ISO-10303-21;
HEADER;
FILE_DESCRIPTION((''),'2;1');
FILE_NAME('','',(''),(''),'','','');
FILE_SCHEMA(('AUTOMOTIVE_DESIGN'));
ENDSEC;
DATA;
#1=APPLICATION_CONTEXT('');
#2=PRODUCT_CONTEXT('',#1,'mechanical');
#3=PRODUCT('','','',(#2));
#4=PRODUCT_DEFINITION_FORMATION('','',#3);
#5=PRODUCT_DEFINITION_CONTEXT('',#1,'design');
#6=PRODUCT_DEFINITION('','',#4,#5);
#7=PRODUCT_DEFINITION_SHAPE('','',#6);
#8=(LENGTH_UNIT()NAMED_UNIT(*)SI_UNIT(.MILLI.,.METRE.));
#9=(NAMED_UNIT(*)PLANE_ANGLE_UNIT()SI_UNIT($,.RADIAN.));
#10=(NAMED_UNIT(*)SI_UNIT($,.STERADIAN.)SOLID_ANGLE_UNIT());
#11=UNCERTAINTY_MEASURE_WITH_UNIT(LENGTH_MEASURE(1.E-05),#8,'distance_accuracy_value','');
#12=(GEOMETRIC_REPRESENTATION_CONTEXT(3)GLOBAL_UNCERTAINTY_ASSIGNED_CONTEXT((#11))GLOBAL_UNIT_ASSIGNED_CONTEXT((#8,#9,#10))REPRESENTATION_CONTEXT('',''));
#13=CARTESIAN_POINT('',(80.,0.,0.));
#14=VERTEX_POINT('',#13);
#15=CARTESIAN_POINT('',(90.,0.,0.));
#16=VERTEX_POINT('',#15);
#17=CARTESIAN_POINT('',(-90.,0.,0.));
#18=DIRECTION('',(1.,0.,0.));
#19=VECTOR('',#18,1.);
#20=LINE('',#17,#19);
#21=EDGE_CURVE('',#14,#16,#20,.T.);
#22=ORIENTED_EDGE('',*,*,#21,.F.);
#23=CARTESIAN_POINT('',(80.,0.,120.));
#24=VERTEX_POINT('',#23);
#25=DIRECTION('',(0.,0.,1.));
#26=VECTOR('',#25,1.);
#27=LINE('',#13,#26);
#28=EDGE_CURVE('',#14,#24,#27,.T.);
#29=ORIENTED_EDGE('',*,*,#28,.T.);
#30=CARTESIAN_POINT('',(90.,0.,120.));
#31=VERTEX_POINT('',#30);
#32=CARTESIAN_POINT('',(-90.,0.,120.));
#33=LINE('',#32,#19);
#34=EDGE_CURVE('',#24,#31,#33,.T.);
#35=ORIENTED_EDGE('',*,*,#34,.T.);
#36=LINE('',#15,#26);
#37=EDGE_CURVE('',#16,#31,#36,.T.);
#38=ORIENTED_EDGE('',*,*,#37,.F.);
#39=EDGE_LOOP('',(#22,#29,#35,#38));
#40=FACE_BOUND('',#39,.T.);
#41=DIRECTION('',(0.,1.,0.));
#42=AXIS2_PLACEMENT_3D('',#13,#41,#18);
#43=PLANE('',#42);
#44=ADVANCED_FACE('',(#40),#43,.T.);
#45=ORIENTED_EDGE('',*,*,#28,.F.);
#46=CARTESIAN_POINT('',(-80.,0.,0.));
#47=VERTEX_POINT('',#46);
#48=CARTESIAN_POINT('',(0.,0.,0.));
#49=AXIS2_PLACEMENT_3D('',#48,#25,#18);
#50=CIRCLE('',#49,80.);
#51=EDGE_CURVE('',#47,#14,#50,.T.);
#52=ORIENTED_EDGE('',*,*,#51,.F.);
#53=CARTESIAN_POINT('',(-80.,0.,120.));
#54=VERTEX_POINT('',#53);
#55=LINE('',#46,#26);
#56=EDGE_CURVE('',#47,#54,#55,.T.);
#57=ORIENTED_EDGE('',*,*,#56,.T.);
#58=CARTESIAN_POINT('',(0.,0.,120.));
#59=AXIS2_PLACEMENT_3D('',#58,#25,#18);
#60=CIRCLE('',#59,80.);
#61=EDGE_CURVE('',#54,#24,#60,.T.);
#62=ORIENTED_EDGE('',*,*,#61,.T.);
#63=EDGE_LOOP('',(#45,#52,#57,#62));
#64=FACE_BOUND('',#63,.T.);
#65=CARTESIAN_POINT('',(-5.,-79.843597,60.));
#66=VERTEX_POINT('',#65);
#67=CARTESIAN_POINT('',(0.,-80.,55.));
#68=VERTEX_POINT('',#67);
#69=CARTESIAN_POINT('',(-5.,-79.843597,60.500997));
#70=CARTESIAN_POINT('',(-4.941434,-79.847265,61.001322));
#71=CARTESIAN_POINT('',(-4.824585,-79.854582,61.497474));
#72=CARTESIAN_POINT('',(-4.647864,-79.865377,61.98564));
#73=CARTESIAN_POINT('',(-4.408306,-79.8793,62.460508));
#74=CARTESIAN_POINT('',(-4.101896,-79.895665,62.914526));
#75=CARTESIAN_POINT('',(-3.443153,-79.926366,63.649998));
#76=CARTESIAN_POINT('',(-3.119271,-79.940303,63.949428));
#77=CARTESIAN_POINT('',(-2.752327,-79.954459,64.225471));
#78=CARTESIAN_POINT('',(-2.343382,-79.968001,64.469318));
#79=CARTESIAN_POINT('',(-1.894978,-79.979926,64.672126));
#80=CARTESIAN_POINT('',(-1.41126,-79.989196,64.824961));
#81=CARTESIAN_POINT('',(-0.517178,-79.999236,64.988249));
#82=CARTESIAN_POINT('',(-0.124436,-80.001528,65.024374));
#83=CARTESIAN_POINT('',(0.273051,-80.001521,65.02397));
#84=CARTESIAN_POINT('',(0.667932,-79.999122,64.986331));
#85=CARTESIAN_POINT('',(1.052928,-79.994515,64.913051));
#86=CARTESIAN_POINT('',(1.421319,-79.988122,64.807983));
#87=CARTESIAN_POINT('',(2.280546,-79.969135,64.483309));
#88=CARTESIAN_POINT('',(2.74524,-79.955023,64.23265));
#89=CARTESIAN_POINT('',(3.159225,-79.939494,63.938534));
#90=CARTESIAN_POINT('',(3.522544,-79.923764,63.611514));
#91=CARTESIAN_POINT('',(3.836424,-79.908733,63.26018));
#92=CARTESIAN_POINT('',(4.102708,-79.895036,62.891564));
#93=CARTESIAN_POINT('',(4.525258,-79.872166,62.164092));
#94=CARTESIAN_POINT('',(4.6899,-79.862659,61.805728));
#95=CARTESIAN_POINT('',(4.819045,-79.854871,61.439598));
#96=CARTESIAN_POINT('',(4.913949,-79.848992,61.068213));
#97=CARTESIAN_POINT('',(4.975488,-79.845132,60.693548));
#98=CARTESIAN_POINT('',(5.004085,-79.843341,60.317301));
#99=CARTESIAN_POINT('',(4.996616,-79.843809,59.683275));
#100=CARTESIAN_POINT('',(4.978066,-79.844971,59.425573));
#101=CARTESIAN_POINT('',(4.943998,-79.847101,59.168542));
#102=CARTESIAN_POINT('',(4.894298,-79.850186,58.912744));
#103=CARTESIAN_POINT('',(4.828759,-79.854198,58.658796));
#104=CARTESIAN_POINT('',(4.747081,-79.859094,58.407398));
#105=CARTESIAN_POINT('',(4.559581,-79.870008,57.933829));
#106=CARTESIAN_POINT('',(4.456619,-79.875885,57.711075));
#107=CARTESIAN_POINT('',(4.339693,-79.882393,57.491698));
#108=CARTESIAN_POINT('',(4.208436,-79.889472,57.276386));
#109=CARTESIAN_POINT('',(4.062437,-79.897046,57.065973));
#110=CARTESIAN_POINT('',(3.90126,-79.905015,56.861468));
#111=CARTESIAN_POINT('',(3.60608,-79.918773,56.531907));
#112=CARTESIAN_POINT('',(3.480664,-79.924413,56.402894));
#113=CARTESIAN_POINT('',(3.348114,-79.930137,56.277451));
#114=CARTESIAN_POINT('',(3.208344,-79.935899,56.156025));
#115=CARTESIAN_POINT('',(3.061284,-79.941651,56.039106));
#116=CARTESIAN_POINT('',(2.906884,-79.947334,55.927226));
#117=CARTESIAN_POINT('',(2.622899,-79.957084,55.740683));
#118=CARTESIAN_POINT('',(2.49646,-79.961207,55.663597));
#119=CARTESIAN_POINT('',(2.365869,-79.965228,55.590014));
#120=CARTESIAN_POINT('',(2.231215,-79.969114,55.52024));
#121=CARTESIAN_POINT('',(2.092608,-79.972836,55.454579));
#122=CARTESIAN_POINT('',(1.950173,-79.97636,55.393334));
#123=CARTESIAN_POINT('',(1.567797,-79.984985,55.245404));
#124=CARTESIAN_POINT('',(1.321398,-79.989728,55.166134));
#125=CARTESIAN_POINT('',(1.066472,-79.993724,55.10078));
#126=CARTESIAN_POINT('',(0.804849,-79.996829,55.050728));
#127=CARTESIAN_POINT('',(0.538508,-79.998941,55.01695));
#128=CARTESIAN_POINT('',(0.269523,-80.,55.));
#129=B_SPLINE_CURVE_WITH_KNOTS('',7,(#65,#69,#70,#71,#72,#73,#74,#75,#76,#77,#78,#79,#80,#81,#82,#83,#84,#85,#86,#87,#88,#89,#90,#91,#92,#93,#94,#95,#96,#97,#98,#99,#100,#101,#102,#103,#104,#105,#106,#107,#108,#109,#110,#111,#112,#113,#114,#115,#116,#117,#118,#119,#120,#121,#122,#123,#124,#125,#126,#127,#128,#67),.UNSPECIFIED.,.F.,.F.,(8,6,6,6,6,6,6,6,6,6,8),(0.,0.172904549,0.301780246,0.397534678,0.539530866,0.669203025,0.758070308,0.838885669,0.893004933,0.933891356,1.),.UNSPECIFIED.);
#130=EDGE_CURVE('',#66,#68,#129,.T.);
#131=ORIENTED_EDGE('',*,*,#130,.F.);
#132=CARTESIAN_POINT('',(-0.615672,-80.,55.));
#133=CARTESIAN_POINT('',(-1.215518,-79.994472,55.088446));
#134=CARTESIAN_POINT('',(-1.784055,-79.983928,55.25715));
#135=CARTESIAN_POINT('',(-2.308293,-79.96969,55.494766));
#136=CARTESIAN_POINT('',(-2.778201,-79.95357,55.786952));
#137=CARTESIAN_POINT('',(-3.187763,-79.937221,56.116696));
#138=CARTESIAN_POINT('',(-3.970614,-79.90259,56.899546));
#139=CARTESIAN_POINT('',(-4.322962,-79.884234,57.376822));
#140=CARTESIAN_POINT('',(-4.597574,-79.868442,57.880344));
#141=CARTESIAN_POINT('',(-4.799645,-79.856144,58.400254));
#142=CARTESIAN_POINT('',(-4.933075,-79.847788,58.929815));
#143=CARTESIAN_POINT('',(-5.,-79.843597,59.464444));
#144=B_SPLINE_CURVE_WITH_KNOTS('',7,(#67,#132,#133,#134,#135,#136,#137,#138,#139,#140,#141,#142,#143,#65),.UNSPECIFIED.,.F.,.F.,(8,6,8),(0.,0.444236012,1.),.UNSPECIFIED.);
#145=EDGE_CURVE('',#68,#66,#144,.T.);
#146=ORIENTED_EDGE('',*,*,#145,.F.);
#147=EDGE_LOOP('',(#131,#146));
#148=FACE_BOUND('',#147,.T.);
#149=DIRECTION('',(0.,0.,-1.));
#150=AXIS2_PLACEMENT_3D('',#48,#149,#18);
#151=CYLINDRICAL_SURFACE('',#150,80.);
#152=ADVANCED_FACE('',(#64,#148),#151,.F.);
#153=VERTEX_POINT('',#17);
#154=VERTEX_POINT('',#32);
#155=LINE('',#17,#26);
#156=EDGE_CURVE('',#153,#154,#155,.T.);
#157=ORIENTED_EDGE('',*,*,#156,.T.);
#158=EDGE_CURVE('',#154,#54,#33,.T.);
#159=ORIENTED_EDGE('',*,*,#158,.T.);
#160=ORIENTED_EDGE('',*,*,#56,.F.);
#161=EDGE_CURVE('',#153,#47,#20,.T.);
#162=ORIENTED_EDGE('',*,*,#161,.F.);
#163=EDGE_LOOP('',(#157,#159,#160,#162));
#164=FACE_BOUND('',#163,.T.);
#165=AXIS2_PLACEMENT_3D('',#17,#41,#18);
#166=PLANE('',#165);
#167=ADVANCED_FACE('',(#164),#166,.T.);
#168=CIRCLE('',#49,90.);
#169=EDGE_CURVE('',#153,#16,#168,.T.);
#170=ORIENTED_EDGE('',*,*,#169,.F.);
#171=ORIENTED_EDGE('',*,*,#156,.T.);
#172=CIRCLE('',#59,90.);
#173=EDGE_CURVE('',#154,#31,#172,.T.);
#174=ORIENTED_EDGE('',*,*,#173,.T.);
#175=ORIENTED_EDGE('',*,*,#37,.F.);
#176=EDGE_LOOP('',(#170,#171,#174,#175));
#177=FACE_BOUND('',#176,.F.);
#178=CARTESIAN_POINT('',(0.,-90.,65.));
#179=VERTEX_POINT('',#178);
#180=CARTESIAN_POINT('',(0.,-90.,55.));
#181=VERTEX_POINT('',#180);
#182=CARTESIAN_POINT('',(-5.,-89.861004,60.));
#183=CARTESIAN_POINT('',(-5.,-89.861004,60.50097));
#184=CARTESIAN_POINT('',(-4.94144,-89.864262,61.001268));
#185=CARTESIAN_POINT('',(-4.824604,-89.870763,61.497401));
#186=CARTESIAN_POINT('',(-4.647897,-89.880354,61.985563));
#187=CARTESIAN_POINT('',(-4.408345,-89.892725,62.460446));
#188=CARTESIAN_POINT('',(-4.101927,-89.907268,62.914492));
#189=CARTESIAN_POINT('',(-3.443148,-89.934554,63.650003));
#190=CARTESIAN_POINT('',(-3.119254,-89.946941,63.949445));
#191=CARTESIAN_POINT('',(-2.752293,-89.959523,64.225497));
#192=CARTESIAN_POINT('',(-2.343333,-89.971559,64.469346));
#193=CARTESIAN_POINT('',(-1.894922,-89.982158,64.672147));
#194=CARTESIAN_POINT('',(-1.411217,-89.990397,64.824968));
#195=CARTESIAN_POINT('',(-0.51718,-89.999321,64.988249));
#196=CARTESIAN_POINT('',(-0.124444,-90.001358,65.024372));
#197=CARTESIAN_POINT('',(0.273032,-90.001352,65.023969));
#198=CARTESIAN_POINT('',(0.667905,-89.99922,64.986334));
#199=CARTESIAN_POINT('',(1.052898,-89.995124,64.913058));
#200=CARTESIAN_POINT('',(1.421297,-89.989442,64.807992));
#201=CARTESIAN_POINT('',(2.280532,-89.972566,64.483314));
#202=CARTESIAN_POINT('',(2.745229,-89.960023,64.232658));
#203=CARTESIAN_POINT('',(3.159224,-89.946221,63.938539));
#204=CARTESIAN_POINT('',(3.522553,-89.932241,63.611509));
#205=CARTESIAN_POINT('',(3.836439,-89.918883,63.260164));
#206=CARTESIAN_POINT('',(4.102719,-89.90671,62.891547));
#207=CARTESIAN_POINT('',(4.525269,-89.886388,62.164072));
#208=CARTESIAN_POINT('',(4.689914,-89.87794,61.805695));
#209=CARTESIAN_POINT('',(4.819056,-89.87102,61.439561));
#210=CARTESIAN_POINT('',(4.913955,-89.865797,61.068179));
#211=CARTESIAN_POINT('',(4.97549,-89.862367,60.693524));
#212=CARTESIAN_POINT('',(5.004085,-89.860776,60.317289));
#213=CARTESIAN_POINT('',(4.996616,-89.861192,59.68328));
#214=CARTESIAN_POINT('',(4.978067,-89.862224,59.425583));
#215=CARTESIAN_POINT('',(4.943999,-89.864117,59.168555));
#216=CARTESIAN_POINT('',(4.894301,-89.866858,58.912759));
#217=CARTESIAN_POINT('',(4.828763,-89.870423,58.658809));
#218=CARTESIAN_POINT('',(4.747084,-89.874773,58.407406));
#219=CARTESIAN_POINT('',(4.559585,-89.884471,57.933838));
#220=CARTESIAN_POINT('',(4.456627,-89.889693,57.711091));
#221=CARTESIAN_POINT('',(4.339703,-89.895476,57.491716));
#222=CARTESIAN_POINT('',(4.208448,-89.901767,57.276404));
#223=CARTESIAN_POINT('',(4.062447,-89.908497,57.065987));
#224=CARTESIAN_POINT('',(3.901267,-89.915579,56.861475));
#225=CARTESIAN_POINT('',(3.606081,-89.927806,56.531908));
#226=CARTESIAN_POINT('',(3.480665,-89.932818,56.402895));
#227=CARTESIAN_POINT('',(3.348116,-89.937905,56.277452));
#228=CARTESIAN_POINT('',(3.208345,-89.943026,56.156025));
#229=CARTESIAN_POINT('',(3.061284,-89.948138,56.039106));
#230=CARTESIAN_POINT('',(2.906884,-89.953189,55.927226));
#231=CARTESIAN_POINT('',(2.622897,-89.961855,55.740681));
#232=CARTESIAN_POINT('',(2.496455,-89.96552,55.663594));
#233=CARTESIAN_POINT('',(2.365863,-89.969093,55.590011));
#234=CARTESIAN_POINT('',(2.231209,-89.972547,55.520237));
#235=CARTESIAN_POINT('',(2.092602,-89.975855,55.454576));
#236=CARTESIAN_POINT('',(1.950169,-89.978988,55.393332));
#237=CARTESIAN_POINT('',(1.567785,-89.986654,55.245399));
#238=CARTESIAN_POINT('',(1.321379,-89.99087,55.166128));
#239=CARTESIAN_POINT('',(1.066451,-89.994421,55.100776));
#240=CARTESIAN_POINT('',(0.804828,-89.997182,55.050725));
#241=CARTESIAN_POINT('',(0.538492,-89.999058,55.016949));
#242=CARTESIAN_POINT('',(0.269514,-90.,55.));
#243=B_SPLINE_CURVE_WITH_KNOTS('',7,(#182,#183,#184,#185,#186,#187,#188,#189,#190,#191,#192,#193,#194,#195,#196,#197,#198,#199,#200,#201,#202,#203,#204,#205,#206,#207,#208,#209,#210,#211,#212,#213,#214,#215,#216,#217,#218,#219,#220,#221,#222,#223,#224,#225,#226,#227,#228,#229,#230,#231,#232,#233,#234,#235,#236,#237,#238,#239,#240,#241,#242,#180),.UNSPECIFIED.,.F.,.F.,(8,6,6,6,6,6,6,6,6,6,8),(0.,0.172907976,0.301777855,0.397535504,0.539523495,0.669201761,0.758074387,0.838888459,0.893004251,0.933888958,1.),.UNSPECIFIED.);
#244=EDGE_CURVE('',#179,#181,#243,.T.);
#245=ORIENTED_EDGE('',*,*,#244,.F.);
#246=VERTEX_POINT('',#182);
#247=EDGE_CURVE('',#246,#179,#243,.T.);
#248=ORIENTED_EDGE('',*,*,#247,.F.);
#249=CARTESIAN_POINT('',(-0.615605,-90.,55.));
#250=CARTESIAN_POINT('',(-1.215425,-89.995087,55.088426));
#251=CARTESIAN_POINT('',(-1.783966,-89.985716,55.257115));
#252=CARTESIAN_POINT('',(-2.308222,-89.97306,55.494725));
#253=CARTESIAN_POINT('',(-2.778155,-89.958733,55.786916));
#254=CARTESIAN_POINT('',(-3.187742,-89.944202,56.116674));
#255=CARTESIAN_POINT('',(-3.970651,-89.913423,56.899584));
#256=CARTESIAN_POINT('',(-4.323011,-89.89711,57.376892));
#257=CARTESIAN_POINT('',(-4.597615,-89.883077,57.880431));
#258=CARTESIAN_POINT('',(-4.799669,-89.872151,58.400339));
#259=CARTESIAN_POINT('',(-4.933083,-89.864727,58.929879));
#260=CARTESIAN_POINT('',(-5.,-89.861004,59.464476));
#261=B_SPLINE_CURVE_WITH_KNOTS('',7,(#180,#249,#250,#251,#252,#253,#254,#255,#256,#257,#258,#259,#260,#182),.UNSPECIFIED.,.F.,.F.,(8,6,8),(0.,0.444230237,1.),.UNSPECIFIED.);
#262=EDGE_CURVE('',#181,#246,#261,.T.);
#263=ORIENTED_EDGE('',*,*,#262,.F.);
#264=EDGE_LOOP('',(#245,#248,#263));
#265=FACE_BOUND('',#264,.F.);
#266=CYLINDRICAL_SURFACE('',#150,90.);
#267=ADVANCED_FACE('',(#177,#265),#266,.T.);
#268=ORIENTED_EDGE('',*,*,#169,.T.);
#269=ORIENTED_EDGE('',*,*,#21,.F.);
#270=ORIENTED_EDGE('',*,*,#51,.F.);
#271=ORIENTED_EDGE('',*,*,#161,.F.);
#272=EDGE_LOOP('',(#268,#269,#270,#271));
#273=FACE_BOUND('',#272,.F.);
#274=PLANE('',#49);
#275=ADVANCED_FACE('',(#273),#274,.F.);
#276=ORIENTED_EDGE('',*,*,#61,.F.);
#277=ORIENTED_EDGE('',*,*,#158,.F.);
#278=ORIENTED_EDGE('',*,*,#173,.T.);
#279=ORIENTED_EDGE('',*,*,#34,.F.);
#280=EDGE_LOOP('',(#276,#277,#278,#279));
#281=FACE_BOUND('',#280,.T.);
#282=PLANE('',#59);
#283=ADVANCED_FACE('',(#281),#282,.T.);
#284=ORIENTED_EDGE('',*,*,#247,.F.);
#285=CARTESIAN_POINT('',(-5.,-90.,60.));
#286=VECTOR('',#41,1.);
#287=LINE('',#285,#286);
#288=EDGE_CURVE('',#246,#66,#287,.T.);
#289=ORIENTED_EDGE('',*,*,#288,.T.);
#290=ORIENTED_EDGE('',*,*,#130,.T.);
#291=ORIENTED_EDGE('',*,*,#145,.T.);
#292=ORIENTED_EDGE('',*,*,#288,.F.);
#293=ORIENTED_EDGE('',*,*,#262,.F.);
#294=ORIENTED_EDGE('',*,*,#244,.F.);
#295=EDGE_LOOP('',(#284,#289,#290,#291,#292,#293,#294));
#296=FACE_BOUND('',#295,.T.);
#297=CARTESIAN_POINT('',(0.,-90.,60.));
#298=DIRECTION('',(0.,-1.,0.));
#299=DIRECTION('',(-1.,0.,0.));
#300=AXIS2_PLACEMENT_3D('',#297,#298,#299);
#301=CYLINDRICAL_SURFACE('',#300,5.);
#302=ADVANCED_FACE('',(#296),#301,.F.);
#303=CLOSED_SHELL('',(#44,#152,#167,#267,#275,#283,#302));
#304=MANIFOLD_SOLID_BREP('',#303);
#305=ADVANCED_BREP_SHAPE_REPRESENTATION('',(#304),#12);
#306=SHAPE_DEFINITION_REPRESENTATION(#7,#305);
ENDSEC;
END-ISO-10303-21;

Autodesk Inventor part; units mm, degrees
ref_plane "YZ Plane" through (0, 0, 0) normal (1, 0, 0) x (0, 1, 0)
ref_plane "XZ Plane" through (0, 0, 0) normal (0, 1, 0) x (-1, 0, 0)
sketch "Эскиз1" plane through (0, 0, 0) normal (0, 0, 1) x (1, 0, 0)
  circle A0 centre (0, 0) radius 80
  circle A1 centre (0, 0) radius 90
  line L0 (-90, 0) -> (90, 0)
  point P0 (-80, 0)
  point P1 (80, 0)
  dimension "d0" = 160
  dimension "d1" = 180
extrude "Выдавливание1" add sketch "Эскиз1" along normal blind 120 contours L0 A1 A0 picked at (54.1763, -63.1025)
ref_plane "РабПлоскость1" through (0, -90, 0) normal (0, 1, 0) x (-1, 0, 0)
sketch "Эскиз2" plane through (0, -90, 0) normal (0, 1, 0) x (-1, 0, 0)
  line L0 (0, 0) -> (0, 60)
  circle A0 centre (0, 60) radius 5
  dimension "d4" = 10
extrude "Выдавливание2" cut sketch "Эскиз2" along normal blind 20
properties part number "Нижняя часть коренного подшипника" material "Бронза, литейная"
